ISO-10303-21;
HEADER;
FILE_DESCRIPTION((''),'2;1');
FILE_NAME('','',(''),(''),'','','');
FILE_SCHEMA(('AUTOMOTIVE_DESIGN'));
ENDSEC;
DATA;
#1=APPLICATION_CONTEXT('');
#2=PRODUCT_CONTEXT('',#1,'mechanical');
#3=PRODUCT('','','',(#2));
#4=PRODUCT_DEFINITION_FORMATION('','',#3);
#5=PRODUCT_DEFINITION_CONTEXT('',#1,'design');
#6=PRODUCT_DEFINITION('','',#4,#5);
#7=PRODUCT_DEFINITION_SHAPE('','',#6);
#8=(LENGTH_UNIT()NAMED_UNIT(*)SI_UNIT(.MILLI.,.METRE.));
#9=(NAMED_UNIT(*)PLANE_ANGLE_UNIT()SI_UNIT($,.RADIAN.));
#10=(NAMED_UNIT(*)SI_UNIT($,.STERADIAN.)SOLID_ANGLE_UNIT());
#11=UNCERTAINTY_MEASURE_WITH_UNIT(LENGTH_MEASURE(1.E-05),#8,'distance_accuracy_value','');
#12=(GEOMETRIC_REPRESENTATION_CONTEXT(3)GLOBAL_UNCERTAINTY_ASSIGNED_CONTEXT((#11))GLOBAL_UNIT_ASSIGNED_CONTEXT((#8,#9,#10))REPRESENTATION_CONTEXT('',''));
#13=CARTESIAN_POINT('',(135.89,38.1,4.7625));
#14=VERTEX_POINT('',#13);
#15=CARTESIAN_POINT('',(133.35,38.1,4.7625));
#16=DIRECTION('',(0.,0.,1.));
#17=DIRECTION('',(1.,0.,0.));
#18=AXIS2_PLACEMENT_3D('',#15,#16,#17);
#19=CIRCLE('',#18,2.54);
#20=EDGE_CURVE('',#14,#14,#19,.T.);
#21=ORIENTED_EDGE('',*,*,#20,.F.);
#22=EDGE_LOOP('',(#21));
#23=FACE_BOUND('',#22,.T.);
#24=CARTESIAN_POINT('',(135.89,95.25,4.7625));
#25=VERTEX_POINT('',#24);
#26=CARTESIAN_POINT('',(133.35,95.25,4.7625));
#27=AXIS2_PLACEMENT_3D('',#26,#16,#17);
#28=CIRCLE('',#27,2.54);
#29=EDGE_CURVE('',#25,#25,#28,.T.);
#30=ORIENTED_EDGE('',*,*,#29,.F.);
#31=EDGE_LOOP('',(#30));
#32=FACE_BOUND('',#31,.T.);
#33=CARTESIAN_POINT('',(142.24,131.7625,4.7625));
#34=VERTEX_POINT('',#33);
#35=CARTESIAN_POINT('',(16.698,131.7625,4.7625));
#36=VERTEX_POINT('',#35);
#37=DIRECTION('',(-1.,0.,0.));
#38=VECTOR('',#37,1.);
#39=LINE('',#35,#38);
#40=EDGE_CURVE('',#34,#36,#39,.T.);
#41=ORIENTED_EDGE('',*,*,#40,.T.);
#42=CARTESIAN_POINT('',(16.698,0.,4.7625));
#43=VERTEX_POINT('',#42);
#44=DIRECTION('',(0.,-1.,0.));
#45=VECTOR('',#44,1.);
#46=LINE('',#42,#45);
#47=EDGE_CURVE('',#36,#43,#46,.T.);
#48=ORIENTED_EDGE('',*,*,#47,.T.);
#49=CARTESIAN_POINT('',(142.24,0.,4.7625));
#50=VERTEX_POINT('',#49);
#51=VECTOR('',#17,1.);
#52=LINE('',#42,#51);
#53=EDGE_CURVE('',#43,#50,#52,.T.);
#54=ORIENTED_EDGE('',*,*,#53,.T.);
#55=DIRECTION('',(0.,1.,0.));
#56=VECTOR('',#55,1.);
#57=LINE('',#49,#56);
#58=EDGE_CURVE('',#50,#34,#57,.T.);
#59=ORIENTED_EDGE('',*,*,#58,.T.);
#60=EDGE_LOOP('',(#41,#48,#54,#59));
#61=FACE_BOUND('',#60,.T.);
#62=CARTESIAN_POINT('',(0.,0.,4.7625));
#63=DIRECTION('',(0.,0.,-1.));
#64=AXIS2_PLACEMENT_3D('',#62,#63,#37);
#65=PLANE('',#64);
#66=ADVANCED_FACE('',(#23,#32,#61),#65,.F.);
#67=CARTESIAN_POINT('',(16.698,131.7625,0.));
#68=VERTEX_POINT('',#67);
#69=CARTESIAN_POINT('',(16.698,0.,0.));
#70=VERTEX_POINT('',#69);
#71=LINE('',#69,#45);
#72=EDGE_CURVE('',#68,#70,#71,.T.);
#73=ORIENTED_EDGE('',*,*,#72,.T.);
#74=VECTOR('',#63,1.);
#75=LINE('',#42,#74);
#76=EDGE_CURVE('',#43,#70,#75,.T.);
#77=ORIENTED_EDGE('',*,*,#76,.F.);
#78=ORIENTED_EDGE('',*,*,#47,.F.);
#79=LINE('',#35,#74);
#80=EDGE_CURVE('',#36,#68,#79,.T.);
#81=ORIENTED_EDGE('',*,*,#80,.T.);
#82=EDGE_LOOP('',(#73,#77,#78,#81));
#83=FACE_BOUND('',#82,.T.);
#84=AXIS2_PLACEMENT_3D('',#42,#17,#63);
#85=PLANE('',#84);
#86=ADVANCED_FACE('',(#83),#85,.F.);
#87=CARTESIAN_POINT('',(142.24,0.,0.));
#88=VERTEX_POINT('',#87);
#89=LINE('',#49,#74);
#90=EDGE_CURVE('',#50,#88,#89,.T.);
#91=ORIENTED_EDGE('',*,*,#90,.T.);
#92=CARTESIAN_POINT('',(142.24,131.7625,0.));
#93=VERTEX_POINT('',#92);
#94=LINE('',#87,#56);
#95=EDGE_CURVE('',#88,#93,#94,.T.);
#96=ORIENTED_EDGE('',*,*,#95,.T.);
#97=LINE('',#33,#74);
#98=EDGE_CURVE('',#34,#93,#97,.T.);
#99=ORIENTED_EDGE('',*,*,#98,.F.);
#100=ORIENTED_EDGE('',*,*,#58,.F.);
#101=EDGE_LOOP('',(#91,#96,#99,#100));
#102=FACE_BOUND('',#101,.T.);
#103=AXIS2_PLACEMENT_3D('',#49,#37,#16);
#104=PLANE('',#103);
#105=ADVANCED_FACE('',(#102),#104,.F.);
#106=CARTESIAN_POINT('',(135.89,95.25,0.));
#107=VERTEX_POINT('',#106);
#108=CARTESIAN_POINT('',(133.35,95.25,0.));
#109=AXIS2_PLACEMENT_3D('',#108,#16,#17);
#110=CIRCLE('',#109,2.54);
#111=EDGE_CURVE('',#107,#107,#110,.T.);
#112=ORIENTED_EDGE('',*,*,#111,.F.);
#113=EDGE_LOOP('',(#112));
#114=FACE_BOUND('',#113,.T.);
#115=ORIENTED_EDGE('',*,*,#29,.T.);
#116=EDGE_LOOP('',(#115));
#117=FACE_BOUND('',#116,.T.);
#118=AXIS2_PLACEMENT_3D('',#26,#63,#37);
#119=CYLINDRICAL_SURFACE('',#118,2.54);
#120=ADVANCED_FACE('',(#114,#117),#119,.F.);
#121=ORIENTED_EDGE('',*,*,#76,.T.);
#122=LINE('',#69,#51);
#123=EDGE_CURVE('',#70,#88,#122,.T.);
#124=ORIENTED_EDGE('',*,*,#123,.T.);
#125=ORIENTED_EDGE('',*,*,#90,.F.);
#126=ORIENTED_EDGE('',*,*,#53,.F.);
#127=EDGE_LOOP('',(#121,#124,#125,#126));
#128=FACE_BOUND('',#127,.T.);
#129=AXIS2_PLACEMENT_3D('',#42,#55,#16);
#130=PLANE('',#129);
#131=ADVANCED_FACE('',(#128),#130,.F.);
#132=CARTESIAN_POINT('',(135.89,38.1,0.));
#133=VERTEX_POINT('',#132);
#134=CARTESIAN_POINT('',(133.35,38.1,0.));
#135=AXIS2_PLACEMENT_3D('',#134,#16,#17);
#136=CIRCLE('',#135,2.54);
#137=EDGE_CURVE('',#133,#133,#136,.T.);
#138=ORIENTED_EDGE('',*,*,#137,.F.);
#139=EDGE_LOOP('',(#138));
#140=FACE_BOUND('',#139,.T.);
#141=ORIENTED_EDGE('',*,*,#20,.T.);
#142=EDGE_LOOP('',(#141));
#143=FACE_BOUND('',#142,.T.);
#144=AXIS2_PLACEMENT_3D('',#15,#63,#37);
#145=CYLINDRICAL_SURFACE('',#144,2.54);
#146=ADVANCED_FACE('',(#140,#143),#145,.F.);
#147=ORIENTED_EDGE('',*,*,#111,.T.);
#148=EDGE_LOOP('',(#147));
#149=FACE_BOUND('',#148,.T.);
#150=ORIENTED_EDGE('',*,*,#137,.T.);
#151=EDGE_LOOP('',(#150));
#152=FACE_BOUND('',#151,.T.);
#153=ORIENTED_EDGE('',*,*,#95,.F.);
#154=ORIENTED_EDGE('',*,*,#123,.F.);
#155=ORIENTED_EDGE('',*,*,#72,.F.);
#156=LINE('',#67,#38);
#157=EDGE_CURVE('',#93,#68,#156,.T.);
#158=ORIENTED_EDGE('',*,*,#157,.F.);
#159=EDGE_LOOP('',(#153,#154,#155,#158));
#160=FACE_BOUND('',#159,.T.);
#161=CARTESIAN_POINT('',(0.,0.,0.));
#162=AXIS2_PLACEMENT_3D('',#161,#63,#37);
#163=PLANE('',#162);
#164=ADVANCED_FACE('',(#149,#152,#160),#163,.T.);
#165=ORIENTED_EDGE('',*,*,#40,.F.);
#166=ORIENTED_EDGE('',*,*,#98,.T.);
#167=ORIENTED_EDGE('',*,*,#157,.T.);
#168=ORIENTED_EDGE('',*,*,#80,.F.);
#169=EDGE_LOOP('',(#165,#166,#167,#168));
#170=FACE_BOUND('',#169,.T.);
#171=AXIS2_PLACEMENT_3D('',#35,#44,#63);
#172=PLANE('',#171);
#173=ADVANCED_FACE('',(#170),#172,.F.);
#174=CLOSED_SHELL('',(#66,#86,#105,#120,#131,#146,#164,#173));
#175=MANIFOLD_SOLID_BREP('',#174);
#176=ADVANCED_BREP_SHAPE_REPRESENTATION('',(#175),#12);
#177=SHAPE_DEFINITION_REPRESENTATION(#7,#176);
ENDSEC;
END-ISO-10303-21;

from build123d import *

# Parameters (mm, degrees)
SKETCH1_W           = 125.542000122
SKETCH1_H           = 131.7625
SKETCH1_R           = 2.54
BOSS_EXTRUDE1_DEPTH = 4.7625


with BuildPart() as part:
    # Sketch1 → Boss-Extrude1 (new body)
    with BuildSketch(Plane.XY):
        with Locations((79.468999939, 65.88125)):
            Rectangle(SKETCH1_W, SKETCH1_H)
        with Locations((133.35, 38.1)):
            Circle(SKETCH1_R, mode=Mode.SUBTRACT)
        with Locations((133.35, 95.25)):
            Circle(SKETCH1_R, mode=Mode.SUBTRACT)
    extrude(amount=BOSS_EXTRUDE1_DEPTH)


solid = part.part
